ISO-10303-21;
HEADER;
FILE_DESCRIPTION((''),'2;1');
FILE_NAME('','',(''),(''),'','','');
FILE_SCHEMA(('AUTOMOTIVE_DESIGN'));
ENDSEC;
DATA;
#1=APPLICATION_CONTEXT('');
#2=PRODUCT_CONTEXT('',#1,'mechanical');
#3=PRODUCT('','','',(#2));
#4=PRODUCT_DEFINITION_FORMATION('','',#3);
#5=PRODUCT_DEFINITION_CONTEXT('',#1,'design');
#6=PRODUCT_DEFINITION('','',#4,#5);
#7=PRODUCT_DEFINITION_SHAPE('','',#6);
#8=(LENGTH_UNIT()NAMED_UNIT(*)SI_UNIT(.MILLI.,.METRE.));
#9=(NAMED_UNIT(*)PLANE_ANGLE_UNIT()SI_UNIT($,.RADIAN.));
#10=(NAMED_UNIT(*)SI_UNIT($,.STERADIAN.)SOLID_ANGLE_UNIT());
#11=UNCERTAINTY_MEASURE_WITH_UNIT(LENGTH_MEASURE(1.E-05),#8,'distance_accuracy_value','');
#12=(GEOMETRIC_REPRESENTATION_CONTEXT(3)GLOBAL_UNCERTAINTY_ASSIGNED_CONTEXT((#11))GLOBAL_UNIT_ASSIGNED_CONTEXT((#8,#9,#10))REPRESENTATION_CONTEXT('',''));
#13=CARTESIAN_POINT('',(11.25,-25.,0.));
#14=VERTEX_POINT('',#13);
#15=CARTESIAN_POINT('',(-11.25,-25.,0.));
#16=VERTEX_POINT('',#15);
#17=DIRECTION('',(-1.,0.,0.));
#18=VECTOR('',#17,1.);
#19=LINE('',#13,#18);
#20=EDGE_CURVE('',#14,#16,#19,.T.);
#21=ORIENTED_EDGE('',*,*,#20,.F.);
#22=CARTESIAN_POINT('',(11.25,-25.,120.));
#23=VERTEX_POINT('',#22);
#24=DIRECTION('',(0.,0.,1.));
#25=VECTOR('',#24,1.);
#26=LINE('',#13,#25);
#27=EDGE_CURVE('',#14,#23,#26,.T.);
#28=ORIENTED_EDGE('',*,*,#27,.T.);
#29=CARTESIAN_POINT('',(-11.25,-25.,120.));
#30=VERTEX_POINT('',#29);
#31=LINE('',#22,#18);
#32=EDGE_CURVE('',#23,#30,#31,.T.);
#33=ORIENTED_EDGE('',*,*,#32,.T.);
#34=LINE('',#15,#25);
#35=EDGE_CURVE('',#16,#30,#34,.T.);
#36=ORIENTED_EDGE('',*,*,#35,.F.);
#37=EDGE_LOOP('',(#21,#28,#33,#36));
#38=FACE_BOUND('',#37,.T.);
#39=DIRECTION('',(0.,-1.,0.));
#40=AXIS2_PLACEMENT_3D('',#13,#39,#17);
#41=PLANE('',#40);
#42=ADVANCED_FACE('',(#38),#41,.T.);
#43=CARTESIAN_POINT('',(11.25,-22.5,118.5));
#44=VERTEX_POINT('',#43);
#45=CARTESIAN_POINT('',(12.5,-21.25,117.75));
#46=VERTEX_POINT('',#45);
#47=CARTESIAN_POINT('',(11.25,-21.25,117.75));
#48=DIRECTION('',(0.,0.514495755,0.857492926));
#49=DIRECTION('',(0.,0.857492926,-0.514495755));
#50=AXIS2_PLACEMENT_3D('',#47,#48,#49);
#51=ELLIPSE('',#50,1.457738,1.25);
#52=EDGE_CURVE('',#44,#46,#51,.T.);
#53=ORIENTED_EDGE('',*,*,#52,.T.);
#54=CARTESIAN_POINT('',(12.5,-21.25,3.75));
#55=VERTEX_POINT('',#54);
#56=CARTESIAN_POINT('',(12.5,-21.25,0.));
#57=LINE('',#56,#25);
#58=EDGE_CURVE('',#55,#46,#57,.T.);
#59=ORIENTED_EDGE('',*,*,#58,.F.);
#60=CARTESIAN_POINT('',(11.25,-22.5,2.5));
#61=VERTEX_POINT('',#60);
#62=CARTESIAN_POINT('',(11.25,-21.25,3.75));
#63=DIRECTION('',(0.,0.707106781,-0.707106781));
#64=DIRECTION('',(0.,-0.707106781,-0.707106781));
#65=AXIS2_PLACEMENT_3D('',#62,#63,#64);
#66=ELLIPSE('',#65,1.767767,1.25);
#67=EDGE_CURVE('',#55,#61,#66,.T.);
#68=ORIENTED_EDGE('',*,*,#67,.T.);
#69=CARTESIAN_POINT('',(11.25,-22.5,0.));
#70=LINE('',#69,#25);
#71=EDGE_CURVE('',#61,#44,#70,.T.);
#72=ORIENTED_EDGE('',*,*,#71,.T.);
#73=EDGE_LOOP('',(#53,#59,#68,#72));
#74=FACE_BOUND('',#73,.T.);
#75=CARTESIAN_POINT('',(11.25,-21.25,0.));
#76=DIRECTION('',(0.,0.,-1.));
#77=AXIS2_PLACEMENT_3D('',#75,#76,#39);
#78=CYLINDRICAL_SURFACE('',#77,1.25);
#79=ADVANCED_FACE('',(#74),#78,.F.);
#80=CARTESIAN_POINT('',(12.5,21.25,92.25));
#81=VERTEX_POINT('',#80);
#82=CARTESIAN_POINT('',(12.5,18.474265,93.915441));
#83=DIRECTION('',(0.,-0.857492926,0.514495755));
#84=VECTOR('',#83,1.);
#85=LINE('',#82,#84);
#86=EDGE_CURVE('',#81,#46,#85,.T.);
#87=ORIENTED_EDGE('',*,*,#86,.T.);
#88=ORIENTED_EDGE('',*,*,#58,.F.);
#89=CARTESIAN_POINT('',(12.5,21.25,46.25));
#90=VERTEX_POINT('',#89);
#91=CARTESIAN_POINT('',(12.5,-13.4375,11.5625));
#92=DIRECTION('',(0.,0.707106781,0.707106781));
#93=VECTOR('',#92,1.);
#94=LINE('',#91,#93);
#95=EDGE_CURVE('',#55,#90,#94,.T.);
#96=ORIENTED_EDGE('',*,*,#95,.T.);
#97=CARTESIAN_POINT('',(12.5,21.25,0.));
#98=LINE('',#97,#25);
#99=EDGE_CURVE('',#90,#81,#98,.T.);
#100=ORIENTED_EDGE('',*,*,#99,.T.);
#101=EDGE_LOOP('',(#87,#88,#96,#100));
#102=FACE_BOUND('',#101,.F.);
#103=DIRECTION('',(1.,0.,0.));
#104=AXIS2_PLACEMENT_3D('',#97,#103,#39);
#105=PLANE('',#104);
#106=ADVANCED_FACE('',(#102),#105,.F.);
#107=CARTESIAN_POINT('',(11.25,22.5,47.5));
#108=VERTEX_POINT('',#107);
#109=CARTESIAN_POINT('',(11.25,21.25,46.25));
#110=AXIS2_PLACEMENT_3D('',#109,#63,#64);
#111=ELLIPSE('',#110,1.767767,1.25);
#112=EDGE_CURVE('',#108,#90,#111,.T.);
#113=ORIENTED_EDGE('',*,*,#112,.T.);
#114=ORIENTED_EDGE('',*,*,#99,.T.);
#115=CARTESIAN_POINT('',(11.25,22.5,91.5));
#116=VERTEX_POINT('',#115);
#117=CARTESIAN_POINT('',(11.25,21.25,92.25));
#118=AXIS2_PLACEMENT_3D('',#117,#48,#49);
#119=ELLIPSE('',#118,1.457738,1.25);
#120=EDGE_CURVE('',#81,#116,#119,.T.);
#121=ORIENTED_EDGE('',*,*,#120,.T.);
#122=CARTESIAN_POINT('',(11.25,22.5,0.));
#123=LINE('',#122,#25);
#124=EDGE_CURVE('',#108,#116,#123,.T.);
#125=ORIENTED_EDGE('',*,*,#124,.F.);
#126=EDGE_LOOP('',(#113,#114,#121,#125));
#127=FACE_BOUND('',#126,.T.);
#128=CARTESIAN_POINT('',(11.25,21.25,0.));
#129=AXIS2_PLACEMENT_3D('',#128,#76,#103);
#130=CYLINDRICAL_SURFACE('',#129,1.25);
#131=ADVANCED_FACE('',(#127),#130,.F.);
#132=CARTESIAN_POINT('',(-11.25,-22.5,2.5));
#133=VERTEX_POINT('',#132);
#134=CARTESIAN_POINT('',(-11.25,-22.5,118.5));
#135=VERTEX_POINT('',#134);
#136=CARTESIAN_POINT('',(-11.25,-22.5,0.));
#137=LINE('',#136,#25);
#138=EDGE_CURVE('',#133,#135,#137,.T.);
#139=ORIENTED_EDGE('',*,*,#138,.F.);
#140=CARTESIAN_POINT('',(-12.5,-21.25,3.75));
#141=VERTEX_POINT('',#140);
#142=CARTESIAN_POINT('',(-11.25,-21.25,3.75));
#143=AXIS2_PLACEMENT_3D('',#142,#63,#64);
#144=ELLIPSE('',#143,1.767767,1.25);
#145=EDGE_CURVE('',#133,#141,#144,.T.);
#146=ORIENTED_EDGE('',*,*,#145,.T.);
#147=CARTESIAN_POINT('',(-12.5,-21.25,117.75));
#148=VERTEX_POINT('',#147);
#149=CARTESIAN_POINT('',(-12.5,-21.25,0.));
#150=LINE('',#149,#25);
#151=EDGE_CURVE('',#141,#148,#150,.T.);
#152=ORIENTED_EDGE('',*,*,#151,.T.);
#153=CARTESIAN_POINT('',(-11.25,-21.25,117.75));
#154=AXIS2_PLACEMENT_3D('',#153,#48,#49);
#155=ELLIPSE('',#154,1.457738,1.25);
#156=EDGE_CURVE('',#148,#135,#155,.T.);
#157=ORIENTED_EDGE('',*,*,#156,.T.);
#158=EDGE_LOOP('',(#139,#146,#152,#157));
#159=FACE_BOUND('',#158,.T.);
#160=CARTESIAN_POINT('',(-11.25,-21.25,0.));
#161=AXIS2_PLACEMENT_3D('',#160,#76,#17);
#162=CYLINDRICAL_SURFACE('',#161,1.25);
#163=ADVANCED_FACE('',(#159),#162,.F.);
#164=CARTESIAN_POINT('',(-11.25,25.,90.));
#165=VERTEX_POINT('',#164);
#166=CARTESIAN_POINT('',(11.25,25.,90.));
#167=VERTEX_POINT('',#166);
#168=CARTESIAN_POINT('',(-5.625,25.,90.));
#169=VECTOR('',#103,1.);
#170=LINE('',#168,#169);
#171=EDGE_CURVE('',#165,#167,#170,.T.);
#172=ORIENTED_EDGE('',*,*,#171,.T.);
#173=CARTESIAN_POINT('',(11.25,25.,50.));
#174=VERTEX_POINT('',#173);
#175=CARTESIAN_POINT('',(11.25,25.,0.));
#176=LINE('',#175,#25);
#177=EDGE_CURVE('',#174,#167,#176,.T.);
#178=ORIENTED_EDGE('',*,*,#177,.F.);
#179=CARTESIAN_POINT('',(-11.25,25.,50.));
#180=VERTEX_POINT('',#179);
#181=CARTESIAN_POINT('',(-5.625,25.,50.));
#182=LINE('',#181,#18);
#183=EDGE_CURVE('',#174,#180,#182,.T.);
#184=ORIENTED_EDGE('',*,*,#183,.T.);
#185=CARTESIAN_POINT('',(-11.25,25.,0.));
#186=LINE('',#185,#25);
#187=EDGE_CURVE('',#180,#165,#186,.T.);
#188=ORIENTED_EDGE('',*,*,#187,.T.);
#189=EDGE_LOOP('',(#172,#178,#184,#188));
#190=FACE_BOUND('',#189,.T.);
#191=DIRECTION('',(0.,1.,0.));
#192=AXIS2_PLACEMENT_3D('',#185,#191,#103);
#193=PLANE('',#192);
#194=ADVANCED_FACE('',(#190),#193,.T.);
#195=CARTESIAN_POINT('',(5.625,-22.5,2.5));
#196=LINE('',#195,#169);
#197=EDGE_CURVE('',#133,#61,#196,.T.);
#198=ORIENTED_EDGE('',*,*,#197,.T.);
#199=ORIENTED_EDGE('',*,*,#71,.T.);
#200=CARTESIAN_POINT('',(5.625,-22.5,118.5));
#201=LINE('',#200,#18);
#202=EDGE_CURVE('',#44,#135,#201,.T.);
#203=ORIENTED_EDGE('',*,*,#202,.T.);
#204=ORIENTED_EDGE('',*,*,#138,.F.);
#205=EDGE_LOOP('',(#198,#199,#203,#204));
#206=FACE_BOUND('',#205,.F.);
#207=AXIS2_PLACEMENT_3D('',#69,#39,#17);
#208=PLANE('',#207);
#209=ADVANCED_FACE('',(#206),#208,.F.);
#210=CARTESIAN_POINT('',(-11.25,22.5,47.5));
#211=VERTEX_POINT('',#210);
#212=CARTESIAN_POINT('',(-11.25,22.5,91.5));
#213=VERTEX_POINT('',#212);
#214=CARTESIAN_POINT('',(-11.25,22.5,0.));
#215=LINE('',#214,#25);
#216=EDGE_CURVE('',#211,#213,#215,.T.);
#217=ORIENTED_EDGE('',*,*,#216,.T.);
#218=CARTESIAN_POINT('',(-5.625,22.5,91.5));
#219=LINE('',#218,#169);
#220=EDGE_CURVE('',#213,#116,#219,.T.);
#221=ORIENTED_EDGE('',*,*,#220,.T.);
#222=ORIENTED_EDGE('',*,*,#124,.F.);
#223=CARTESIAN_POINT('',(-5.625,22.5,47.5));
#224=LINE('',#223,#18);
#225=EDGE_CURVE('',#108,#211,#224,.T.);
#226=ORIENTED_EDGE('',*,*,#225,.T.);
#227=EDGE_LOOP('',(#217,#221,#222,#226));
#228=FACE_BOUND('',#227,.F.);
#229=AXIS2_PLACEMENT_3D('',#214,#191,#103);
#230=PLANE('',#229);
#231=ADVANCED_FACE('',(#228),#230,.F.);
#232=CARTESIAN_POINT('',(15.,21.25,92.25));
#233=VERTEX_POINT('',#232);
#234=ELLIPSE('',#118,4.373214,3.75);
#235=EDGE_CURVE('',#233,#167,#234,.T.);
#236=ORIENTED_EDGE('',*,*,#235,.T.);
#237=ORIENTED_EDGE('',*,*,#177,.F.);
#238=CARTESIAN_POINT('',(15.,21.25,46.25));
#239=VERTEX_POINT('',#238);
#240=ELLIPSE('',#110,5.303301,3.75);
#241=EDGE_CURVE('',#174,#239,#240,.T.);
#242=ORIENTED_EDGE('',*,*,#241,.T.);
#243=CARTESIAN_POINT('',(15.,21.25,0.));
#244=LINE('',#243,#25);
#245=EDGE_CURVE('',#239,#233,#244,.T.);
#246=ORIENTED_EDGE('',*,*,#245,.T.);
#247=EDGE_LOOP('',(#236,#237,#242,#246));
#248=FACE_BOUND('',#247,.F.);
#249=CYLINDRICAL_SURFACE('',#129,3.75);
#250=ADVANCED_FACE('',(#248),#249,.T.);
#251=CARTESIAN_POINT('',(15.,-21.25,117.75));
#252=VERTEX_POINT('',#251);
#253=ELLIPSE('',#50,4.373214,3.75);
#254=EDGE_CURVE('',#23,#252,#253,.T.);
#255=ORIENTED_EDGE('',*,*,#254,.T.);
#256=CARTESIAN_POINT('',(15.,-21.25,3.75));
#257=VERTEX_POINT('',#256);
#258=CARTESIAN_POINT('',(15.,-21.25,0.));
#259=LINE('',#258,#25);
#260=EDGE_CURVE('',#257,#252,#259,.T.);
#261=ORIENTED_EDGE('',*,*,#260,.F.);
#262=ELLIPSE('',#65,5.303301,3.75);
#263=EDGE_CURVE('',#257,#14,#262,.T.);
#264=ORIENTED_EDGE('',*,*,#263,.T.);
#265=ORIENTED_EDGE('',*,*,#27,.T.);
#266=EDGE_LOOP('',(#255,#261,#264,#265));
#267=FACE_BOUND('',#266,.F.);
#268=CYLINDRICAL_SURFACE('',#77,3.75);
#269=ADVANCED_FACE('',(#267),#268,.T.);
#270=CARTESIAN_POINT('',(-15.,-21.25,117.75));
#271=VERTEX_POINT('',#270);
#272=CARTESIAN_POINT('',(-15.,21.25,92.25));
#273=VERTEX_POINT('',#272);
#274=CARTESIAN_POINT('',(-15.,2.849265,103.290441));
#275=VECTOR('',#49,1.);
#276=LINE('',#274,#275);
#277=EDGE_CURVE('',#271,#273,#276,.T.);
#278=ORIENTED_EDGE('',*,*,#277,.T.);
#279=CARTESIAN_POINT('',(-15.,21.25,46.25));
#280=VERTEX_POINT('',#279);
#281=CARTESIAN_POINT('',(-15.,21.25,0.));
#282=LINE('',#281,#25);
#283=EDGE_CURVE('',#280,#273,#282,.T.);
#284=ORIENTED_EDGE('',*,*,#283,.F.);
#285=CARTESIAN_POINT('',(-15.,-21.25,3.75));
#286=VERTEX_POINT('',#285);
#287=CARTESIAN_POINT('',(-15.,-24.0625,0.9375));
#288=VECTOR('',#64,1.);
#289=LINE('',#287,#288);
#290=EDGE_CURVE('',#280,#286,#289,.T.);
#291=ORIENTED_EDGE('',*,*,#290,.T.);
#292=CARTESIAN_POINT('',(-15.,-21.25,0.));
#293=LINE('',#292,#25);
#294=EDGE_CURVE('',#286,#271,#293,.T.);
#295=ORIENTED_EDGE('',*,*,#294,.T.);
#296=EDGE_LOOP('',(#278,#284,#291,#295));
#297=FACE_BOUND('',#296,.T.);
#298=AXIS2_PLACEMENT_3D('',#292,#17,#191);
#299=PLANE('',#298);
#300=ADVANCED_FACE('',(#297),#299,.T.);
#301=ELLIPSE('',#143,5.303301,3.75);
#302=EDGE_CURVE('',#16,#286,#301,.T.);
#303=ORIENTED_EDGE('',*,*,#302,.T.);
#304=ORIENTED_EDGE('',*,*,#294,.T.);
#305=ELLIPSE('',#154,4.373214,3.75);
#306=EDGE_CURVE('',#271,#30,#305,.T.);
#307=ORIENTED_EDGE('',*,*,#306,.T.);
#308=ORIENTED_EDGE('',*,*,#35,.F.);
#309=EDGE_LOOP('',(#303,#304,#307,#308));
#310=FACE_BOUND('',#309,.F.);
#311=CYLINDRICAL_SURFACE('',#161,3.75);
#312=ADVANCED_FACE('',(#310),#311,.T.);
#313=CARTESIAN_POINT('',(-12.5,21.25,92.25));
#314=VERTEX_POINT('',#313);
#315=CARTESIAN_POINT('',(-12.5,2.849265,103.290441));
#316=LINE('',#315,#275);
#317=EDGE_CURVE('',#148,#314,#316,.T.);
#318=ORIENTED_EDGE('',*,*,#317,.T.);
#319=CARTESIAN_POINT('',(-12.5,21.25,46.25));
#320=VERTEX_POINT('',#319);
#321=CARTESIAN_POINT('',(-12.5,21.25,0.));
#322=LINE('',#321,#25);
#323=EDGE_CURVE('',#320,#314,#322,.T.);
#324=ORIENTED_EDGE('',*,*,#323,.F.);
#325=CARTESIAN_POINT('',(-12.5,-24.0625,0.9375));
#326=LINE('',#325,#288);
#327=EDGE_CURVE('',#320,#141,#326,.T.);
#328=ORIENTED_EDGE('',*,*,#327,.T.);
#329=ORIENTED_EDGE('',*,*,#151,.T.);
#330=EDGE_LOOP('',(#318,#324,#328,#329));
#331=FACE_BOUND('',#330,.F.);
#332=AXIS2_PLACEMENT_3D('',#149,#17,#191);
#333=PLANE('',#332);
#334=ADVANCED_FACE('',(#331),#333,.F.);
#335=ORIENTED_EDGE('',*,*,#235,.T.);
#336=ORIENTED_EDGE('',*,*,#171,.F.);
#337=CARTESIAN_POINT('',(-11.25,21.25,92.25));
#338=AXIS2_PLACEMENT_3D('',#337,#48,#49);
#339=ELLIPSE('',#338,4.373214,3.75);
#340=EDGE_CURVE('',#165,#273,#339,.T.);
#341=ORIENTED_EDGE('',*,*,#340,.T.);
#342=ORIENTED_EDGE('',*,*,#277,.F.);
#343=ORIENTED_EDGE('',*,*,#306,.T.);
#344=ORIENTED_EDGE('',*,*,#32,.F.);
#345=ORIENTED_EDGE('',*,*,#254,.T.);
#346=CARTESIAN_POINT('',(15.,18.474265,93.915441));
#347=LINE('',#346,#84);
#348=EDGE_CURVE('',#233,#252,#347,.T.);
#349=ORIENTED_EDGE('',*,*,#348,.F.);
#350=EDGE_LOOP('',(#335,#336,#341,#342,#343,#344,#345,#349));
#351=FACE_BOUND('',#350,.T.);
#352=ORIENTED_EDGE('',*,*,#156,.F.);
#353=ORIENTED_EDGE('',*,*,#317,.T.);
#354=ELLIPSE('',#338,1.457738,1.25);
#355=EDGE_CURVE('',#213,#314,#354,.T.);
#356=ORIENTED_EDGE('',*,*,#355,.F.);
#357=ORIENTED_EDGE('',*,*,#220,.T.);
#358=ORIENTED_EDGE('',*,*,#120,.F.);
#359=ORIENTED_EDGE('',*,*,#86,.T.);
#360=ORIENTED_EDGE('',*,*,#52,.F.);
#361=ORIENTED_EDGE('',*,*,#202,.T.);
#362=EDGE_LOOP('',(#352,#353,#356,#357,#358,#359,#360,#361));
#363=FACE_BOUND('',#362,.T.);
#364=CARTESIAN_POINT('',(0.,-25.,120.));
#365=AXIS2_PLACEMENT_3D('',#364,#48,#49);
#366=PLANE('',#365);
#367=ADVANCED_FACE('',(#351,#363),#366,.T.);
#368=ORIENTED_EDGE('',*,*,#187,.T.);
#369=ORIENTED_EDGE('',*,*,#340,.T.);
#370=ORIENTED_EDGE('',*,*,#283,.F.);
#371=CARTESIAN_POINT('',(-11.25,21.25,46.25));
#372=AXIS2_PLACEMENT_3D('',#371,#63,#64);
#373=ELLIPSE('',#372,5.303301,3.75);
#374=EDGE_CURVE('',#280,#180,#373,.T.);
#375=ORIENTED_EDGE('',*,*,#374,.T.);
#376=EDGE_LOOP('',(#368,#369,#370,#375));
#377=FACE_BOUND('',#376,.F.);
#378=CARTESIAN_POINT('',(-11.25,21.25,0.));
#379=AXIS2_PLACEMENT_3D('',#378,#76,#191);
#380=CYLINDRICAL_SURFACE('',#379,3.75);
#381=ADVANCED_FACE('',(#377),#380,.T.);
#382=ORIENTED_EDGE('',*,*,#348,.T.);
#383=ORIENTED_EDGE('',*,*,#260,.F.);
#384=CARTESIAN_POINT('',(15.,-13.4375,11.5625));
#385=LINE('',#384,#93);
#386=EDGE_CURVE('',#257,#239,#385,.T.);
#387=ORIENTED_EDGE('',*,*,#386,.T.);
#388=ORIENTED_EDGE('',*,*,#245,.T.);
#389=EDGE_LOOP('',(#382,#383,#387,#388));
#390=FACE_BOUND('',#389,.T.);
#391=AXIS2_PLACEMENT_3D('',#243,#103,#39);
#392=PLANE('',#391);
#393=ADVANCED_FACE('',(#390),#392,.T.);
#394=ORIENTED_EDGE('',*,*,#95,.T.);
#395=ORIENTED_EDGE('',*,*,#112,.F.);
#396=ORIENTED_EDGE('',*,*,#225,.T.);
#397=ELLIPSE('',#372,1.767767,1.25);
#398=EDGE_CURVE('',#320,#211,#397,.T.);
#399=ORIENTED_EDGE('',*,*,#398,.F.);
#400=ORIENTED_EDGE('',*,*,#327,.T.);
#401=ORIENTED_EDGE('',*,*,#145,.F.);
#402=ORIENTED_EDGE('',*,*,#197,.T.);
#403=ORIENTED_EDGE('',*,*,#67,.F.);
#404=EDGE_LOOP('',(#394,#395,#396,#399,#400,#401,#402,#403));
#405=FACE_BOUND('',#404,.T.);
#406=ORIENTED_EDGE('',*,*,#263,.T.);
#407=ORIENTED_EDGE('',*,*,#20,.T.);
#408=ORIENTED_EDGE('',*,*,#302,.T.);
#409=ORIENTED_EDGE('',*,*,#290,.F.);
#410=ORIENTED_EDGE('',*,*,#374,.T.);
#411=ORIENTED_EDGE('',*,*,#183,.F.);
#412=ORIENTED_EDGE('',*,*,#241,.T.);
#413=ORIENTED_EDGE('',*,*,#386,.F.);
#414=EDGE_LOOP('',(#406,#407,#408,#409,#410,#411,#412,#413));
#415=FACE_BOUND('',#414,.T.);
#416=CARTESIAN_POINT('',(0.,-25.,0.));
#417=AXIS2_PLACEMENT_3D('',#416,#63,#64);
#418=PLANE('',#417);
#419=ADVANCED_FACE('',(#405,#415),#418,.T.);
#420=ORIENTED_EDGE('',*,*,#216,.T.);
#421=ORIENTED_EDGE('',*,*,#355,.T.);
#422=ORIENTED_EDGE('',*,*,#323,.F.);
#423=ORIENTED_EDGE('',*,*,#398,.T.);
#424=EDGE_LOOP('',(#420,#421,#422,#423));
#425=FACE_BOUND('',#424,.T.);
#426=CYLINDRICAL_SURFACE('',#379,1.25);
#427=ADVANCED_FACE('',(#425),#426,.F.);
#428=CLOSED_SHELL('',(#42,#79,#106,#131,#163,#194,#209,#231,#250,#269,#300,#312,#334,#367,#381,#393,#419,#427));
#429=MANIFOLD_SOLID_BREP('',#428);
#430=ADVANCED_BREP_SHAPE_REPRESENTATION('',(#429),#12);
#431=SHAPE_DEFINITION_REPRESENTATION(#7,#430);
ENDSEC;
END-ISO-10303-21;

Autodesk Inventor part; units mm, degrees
ref_plane "Plano inicial" through (0, 0, 0) normal (0, 0, 1) x (1, 0, 0)
ref_plane "Plano final" through (0, 0, 120) normal (0, 0, 1) x (1, 0, 0)
sketch "Esboço" plane through (0, 0, 0) normal (0, 0, 1) x (1, 0, 0)
  line L0 (-15, -21.25) -> (-15, 21.25)
  line L1 (-11.25, 25) -> (11.25, 25)
  line L2 (15, 21.25) -> (15, -21.25)
  line L3 (11.25, -25) -> (-11.25, -25)
  arc A0 (-15, -21.25) -> (-11.25, -25) centre (-11.25, -21.25) ccw
  arc A1 (-11.25, 25) -> (-15, 21.25) centre (-11.25, 21.25) ccw
  arc A2 (15, 21.25) -> (11.25, 25) centre (11.25, 21.25) ccw
  arc A3 (11.25, -25) -> (15, -21.25) centre (11.25, -21.25) ccw
  arc A4 (-11.25, 22.5) -> (-12.5, 21.25) centre (-11.25, 21.25) ccw
  line L4 (-11.25, 22.5) -> (11.25, 22.5)
  arc A5 (12.5, 21.25) -> (11.25, 22.5) centre (11.25, 21.25) ccw
  line L5 (12.5, 21.25) -> (12.5, -21.25)
  arc A6 (11.25, -22.5) -> (12.5, -21.25) centre (11.25, -21.25) ccw
  line L6 (11.25, -22.5) -> (-11.25, -22.5)
  arc A7 (-12.5, -21.25) -> (-11.25, -22.5) centre (-11.25, -21.25) ccw
  line L7 (-12.5, -21.25) -> (-12.5, 21.25)
  line L8 (0, 36.0873) -> (0, -36.0873) construction
  line L9 (-22.0873, 0) -> (22.0873, 0) construction
  dimension "d7" = 3.75
  dimension "d10" = 50
  dimension "d11" = 30
  dimension "d12" = 2.5
  dimension "d15" = 25
  dimension "d16" = 15
extrude "Corpo" add sketch "Esboço" along normal up to surface (120 mm away) from surface at 0
sketch "Sketch3" plane through (0, 0, 0) normal (0, 0, 1) x (1, 0, 0)
  line L0 (0, 0) -> (10, 0)
ref_plane "Work Plane3" through (0, 0, 0) normal (0, -1, 0) x (1, 0, 0)
sketch "Sketch4" plane through (0, 0, 0) normal (0, -1, 0) x (1, 0, 0)
  line L0 (-2, 0) -> (12, 0)
  line L1 (-2, 120) -> (12, 120)
  dimension "d18" = 120
ref_plane "Plano de trabalho4" through (0, -25, 120) normal (0, 0.5145, 0.8575) x (1, 0, 0)
split "Dividir1" plane through (0, -25, 120) removes the side toward (0, 0.5145, 0.8575)
ref_plane "Plano de trabalho5" through (0, -25, 0) normal (0, 0.7071, -0.7071) x (1, 0, 0)
split "Dividir2" plane through (0, -25, 0) removes the side toward (0, 0.7071, -0.7071)
equation "\"d7\" = G_IR"
equation "\"d10\" = G_H"
equation "\"d11\" = G_W"
equation "\"d12\" = G_T"
equation "\"d15\" = 0.5 * d10"
equation "\"d16\" = 0.5 * d11"
equation "\"d3\" = G_L"
equation "\"G_W\" = 30"
equation "\"G_H\" = 50"
equation "\"G_T\" = 2.5"
equation "\"G_IR\" = 3.75"
equation "\"G_L\" = d18"
equation "\"G_OFFSET_START\" = 0"
equation "\"G_OFFSET_END\" = 0"
equation "\"d14\" = G_OFFSET_END + B_L"
equation "\"B_L\" = 120"
properties part number "ISO 12633-2 - 50x30x2.5 - 120" material "Aço, suave"
